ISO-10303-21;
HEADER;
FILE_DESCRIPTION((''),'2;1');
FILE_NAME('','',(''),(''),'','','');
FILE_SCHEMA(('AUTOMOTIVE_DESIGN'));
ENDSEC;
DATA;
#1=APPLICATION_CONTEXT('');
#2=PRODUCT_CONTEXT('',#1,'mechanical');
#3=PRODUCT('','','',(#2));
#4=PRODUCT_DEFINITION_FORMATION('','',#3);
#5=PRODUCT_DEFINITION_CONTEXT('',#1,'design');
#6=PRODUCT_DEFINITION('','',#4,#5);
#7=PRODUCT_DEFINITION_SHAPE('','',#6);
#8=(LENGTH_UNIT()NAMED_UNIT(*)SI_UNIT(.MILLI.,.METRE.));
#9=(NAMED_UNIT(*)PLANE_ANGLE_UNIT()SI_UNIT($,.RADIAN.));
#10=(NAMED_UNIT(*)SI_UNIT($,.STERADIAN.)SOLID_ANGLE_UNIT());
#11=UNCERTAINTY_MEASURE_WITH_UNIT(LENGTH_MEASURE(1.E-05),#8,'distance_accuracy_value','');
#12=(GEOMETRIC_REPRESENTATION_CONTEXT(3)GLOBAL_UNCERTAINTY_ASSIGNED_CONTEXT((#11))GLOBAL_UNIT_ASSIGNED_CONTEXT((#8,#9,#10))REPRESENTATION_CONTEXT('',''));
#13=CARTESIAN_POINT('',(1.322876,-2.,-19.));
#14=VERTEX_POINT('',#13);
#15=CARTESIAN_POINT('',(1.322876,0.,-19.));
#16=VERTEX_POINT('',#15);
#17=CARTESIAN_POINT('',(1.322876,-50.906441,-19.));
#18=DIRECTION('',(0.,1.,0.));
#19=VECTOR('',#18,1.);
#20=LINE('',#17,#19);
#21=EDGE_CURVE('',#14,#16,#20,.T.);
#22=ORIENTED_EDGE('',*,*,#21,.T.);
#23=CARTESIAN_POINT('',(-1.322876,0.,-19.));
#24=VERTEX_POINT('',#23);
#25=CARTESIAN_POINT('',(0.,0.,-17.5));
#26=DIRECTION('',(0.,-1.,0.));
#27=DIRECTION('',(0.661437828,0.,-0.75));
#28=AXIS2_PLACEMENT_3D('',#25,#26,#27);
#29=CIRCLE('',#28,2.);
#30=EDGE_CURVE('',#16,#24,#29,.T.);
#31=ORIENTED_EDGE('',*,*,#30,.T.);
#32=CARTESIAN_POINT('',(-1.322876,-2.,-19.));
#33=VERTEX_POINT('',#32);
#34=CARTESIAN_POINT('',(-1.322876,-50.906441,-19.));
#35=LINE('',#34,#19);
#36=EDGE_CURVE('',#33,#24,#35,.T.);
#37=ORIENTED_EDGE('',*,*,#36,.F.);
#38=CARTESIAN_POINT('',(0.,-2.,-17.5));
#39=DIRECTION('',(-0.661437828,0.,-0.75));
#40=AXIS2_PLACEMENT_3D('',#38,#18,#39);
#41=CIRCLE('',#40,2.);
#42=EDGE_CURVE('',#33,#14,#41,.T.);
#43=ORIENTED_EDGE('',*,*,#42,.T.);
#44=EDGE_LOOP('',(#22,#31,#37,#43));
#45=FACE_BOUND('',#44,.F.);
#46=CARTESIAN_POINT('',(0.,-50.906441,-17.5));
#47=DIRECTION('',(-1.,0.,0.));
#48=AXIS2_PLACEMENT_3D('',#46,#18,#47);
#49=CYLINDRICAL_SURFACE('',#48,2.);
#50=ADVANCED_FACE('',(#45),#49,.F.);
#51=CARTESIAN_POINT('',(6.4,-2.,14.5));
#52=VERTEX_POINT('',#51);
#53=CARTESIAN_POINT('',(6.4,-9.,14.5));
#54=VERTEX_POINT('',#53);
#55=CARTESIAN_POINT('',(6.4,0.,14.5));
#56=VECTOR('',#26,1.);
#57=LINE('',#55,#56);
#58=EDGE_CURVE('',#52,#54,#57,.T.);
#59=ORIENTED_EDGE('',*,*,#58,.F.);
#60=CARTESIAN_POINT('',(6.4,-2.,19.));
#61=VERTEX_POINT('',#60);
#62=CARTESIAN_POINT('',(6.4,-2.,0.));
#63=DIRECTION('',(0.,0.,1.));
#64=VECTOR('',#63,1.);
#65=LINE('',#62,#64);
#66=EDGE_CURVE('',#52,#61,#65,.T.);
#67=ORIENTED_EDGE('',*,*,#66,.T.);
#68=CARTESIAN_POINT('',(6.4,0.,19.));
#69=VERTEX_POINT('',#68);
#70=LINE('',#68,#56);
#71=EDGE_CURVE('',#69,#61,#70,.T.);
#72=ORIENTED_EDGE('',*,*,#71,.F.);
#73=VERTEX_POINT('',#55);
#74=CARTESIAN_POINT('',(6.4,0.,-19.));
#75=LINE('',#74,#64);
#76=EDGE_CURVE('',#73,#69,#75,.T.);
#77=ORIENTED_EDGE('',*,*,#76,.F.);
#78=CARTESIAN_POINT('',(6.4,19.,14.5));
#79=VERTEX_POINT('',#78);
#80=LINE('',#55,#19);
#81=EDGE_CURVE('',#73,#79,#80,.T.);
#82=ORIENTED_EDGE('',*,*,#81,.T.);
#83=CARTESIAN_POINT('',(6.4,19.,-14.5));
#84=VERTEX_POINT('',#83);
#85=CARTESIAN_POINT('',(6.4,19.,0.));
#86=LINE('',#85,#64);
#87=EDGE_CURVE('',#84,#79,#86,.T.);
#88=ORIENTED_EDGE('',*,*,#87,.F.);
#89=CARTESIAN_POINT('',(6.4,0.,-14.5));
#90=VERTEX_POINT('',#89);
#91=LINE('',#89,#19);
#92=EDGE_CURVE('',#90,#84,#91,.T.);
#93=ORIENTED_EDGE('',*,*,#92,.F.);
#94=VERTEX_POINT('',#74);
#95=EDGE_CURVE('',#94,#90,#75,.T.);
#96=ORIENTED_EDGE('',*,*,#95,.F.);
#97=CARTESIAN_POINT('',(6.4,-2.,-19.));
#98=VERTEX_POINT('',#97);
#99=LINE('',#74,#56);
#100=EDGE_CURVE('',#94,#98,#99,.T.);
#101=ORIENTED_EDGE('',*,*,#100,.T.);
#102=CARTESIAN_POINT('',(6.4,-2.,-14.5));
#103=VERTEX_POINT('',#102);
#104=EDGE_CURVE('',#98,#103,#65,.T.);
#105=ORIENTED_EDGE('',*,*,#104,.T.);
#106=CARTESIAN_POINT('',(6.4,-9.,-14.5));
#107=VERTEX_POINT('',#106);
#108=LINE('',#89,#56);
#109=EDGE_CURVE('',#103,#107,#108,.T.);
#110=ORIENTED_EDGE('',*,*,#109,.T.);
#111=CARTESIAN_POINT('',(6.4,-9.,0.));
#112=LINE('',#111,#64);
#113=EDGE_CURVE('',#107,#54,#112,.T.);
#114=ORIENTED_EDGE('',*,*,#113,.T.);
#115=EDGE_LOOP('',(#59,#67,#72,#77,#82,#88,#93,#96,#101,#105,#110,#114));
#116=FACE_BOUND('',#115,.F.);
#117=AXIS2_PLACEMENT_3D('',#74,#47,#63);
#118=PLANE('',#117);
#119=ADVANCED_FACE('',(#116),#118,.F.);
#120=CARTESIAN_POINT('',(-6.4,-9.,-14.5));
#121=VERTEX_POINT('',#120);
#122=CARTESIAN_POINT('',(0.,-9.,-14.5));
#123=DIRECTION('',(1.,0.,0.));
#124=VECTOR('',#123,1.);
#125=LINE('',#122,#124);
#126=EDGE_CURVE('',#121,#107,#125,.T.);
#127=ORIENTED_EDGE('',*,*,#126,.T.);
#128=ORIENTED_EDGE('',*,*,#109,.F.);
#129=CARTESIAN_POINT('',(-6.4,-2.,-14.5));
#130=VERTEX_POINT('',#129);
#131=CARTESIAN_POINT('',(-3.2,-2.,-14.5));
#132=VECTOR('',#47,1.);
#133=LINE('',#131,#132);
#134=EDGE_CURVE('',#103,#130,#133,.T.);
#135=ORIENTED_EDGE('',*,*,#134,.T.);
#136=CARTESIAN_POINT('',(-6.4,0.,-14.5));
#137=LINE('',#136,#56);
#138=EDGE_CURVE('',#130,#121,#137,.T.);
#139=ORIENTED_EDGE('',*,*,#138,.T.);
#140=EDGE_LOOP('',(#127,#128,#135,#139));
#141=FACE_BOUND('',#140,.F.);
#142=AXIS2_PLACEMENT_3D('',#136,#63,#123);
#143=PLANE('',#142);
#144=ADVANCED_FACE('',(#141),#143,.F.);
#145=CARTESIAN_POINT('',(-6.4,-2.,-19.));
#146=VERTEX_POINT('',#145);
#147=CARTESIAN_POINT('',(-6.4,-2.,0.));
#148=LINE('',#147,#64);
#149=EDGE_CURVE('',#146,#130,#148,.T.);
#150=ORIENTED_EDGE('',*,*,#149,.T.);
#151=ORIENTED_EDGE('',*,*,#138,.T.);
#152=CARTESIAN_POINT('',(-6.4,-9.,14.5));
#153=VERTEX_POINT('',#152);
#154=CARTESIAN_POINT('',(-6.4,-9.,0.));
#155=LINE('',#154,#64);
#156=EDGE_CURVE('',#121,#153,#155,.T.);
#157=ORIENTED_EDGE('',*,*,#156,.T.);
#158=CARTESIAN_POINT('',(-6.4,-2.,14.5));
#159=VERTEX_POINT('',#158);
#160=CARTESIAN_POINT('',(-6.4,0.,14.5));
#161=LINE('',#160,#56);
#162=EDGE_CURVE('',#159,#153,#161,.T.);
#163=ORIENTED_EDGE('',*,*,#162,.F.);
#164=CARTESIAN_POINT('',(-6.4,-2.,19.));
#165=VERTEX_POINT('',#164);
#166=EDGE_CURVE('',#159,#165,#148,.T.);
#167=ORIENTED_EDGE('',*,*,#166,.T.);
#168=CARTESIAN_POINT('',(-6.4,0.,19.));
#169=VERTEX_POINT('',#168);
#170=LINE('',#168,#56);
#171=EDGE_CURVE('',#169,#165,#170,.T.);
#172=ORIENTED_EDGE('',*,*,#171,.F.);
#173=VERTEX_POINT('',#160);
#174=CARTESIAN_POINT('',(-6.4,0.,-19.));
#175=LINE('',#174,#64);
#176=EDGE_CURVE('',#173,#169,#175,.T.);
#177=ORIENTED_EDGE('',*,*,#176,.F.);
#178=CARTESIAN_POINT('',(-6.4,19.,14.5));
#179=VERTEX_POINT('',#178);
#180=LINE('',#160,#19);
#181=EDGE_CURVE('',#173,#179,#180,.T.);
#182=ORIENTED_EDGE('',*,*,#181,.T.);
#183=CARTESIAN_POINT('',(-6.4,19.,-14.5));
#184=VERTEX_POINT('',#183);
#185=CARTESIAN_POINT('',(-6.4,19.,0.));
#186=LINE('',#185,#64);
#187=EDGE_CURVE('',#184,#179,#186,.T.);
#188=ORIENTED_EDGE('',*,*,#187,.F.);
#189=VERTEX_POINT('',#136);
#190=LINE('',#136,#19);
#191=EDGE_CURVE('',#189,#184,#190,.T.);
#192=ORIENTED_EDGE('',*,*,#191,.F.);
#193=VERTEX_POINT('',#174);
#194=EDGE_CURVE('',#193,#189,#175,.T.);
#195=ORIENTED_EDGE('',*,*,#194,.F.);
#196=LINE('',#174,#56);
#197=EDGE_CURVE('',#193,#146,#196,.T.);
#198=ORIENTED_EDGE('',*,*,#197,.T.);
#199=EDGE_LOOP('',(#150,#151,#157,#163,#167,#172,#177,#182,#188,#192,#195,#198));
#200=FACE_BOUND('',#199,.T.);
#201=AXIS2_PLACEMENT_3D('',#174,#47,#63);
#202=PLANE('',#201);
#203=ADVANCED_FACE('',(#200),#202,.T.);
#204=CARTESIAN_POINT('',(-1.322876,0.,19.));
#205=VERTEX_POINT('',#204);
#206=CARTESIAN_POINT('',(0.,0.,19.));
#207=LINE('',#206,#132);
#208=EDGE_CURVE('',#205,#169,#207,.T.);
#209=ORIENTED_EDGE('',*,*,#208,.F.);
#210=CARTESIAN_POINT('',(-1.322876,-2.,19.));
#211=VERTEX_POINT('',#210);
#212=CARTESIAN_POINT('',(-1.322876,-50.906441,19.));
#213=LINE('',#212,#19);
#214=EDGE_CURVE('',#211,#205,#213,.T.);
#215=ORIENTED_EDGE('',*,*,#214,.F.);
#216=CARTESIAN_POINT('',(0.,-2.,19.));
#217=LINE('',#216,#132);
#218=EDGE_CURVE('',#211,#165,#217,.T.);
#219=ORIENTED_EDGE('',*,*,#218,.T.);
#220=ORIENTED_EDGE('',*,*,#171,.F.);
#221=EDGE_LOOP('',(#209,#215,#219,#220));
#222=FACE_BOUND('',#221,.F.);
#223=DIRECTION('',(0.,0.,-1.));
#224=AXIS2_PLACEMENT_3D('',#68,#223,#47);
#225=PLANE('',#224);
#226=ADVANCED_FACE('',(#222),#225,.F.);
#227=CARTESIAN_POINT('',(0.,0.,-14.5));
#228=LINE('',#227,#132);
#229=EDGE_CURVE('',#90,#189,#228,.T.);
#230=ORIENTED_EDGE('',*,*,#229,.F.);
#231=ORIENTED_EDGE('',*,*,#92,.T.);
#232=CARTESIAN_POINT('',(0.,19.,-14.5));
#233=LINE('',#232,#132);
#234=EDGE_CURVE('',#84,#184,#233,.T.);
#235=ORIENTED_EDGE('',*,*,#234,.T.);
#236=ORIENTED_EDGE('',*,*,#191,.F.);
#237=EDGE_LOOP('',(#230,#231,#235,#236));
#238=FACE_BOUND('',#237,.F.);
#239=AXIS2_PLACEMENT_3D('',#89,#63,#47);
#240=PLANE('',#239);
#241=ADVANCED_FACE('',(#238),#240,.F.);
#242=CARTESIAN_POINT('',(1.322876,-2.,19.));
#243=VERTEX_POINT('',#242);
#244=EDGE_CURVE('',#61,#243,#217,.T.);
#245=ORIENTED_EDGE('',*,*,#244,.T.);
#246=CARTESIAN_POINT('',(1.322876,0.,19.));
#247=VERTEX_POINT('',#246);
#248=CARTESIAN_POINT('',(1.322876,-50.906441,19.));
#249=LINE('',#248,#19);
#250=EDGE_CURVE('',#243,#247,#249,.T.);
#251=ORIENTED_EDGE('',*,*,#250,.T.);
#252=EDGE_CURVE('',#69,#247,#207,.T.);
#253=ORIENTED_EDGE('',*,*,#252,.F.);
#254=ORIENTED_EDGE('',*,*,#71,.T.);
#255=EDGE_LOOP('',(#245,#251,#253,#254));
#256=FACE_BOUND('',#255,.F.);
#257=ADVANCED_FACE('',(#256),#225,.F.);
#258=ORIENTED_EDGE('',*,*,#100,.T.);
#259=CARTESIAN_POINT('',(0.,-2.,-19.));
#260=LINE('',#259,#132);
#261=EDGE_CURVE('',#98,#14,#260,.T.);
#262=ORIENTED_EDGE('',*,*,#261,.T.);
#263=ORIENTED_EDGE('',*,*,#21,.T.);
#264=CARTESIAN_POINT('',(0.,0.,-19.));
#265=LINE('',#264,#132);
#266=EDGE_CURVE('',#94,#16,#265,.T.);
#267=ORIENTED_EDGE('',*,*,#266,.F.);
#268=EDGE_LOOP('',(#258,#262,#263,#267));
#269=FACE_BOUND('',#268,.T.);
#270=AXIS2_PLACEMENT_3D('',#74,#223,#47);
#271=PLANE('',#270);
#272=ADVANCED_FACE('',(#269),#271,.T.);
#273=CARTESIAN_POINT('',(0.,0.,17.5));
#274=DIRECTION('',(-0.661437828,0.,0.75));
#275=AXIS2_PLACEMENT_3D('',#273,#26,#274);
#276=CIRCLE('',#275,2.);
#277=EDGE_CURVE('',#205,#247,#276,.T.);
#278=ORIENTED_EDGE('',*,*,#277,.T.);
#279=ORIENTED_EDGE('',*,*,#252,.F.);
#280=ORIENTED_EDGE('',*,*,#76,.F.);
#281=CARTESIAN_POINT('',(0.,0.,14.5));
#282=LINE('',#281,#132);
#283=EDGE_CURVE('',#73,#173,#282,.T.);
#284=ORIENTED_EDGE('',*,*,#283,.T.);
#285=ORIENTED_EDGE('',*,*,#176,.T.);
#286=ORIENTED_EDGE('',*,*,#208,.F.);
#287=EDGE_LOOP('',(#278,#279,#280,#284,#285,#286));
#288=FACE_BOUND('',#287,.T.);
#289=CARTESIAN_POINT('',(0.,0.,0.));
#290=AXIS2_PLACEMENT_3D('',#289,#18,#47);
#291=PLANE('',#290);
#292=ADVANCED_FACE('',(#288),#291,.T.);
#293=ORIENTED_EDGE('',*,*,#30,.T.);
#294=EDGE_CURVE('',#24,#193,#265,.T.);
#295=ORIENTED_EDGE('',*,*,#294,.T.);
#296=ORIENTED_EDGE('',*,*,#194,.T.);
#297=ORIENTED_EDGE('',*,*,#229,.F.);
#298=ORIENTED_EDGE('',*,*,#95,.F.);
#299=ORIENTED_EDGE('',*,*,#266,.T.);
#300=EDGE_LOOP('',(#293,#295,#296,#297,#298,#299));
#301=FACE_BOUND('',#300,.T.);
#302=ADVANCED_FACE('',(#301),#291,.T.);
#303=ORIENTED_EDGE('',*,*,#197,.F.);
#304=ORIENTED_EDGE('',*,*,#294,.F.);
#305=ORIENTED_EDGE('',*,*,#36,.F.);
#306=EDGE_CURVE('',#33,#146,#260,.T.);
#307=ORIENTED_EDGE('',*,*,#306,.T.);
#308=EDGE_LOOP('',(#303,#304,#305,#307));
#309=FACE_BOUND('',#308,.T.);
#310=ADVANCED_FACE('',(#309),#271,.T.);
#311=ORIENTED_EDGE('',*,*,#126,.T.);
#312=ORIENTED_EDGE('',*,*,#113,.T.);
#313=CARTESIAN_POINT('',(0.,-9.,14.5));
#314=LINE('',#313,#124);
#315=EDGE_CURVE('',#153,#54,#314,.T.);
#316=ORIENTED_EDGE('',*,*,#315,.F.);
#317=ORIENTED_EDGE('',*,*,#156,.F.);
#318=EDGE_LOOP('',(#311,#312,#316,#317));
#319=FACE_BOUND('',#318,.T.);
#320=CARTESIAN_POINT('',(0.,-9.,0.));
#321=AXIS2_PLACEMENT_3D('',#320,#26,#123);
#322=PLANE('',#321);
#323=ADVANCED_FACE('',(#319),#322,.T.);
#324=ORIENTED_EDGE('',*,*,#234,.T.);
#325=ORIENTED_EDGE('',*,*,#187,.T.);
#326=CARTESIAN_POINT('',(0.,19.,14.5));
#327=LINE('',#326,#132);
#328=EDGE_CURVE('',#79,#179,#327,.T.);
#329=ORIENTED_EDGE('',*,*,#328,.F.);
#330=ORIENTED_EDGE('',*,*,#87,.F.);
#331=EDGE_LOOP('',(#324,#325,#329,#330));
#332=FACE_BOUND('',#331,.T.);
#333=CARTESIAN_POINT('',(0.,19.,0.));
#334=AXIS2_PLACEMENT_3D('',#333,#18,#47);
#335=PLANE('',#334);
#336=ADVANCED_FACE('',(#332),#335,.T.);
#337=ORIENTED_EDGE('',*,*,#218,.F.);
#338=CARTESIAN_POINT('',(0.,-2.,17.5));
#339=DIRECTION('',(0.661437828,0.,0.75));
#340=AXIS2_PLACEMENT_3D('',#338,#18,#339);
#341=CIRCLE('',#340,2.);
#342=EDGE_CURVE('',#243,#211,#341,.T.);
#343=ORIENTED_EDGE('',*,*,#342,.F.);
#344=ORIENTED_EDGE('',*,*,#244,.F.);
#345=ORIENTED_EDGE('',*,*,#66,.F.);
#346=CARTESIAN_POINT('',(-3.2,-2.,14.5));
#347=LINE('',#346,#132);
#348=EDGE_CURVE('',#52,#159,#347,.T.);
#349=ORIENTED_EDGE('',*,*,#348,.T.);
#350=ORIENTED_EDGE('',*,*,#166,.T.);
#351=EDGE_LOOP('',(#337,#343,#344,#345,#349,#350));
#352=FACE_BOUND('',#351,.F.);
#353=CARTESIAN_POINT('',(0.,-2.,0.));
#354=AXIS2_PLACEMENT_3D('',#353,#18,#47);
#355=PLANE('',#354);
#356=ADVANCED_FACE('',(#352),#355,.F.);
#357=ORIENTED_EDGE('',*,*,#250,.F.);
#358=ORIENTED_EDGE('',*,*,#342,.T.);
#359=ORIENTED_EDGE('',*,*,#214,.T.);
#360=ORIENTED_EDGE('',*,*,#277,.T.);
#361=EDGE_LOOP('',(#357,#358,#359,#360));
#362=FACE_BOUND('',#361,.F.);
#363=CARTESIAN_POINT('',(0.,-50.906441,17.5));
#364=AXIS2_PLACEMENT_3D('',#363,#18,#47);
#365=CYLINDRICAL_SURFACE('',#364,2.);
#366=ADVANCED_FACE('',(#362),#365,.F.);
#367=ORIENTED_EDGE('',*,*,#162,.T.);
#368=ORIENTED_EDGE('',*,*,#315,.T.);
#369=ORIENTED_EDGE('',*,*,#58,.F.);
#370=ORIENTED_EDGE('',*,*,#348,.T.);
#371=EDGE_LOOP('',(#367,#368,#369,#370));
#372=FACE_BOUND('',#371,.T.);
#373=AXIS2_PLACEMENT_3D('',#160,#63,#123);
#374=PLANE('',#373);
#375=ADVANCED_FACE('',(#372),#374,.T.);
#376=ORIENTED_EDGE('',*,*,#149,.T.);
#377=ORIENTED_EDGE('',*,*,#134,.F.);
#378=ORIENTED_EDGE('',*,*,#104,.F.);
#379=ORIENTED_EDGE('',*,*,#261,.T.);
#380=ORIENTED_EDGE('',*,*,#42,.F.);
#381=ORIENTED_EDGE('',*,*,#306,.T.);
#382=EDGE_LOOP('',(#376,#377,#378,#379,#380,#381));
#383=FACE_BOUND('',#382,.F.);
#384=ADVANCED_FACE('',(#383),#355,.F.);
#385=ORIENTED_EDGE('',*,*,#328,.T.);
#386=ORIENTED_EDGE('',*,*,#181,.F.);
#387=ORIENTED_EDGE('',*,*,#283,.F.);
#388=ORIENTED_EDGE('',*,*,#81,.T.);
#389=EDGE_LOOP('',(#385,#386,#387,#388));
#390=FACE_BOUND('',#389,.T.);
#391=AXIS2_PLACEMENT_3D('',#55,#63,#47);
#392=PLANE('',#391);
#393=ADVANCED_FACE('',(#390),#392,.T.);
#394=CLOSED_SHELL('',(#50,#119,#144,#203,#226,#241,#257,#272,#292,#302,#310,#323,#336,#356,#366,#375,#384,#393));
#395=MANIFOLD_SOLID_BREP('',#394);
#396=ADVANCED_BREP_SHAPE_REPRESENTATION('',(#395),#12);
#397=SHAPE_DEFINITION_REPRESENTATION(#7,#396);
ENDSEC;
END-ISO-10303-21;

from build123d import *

# Parameters (mm, degrees)
F0_W     = 12.8
F0_H     = 29
F1_DEPTH = 9
F2_W     = 12.8
F2_H     = 38
F3_DEPTH = 2
F4_W     = 12.8
F4_H     = 29
F5_DEPTH = 19
F7_D     = 4


with BuildPart() as f1:
    # F0 (on Front) → F1 (new body)
    with BuildSketch(Plane.XZ):
        Rectangle(F0_W, F0_H)
    extrude(amount=F1_DEPTH)

    # F2 (on face) → F3 (join)
    with BuildSketch(Plane(origin=(0, 0, 0), x_dir=(-1, 0, 0), z_dir=(0, 1, 0))):
        Rectangle(F2_W, F2_H)
    extrude(amount=-F3_DEPTH)

    # F4 (on face) → F5 (join)
    with BuildSketch(Plane(origin=(0, 0, 0), x_dir=(-1, 0, 0), z_dir=(0, 1, 0))):
        Rectangle(F4_W, F4_H)
    extrude(amount=F5_DEPTH)

    # F7 (through all)
    with Locations(Plane.XZ.offset(2)):
        with Locations((0, -17.5), (0, 17.5)):
            Hole(F7_D / 2)


solid = f1.part
